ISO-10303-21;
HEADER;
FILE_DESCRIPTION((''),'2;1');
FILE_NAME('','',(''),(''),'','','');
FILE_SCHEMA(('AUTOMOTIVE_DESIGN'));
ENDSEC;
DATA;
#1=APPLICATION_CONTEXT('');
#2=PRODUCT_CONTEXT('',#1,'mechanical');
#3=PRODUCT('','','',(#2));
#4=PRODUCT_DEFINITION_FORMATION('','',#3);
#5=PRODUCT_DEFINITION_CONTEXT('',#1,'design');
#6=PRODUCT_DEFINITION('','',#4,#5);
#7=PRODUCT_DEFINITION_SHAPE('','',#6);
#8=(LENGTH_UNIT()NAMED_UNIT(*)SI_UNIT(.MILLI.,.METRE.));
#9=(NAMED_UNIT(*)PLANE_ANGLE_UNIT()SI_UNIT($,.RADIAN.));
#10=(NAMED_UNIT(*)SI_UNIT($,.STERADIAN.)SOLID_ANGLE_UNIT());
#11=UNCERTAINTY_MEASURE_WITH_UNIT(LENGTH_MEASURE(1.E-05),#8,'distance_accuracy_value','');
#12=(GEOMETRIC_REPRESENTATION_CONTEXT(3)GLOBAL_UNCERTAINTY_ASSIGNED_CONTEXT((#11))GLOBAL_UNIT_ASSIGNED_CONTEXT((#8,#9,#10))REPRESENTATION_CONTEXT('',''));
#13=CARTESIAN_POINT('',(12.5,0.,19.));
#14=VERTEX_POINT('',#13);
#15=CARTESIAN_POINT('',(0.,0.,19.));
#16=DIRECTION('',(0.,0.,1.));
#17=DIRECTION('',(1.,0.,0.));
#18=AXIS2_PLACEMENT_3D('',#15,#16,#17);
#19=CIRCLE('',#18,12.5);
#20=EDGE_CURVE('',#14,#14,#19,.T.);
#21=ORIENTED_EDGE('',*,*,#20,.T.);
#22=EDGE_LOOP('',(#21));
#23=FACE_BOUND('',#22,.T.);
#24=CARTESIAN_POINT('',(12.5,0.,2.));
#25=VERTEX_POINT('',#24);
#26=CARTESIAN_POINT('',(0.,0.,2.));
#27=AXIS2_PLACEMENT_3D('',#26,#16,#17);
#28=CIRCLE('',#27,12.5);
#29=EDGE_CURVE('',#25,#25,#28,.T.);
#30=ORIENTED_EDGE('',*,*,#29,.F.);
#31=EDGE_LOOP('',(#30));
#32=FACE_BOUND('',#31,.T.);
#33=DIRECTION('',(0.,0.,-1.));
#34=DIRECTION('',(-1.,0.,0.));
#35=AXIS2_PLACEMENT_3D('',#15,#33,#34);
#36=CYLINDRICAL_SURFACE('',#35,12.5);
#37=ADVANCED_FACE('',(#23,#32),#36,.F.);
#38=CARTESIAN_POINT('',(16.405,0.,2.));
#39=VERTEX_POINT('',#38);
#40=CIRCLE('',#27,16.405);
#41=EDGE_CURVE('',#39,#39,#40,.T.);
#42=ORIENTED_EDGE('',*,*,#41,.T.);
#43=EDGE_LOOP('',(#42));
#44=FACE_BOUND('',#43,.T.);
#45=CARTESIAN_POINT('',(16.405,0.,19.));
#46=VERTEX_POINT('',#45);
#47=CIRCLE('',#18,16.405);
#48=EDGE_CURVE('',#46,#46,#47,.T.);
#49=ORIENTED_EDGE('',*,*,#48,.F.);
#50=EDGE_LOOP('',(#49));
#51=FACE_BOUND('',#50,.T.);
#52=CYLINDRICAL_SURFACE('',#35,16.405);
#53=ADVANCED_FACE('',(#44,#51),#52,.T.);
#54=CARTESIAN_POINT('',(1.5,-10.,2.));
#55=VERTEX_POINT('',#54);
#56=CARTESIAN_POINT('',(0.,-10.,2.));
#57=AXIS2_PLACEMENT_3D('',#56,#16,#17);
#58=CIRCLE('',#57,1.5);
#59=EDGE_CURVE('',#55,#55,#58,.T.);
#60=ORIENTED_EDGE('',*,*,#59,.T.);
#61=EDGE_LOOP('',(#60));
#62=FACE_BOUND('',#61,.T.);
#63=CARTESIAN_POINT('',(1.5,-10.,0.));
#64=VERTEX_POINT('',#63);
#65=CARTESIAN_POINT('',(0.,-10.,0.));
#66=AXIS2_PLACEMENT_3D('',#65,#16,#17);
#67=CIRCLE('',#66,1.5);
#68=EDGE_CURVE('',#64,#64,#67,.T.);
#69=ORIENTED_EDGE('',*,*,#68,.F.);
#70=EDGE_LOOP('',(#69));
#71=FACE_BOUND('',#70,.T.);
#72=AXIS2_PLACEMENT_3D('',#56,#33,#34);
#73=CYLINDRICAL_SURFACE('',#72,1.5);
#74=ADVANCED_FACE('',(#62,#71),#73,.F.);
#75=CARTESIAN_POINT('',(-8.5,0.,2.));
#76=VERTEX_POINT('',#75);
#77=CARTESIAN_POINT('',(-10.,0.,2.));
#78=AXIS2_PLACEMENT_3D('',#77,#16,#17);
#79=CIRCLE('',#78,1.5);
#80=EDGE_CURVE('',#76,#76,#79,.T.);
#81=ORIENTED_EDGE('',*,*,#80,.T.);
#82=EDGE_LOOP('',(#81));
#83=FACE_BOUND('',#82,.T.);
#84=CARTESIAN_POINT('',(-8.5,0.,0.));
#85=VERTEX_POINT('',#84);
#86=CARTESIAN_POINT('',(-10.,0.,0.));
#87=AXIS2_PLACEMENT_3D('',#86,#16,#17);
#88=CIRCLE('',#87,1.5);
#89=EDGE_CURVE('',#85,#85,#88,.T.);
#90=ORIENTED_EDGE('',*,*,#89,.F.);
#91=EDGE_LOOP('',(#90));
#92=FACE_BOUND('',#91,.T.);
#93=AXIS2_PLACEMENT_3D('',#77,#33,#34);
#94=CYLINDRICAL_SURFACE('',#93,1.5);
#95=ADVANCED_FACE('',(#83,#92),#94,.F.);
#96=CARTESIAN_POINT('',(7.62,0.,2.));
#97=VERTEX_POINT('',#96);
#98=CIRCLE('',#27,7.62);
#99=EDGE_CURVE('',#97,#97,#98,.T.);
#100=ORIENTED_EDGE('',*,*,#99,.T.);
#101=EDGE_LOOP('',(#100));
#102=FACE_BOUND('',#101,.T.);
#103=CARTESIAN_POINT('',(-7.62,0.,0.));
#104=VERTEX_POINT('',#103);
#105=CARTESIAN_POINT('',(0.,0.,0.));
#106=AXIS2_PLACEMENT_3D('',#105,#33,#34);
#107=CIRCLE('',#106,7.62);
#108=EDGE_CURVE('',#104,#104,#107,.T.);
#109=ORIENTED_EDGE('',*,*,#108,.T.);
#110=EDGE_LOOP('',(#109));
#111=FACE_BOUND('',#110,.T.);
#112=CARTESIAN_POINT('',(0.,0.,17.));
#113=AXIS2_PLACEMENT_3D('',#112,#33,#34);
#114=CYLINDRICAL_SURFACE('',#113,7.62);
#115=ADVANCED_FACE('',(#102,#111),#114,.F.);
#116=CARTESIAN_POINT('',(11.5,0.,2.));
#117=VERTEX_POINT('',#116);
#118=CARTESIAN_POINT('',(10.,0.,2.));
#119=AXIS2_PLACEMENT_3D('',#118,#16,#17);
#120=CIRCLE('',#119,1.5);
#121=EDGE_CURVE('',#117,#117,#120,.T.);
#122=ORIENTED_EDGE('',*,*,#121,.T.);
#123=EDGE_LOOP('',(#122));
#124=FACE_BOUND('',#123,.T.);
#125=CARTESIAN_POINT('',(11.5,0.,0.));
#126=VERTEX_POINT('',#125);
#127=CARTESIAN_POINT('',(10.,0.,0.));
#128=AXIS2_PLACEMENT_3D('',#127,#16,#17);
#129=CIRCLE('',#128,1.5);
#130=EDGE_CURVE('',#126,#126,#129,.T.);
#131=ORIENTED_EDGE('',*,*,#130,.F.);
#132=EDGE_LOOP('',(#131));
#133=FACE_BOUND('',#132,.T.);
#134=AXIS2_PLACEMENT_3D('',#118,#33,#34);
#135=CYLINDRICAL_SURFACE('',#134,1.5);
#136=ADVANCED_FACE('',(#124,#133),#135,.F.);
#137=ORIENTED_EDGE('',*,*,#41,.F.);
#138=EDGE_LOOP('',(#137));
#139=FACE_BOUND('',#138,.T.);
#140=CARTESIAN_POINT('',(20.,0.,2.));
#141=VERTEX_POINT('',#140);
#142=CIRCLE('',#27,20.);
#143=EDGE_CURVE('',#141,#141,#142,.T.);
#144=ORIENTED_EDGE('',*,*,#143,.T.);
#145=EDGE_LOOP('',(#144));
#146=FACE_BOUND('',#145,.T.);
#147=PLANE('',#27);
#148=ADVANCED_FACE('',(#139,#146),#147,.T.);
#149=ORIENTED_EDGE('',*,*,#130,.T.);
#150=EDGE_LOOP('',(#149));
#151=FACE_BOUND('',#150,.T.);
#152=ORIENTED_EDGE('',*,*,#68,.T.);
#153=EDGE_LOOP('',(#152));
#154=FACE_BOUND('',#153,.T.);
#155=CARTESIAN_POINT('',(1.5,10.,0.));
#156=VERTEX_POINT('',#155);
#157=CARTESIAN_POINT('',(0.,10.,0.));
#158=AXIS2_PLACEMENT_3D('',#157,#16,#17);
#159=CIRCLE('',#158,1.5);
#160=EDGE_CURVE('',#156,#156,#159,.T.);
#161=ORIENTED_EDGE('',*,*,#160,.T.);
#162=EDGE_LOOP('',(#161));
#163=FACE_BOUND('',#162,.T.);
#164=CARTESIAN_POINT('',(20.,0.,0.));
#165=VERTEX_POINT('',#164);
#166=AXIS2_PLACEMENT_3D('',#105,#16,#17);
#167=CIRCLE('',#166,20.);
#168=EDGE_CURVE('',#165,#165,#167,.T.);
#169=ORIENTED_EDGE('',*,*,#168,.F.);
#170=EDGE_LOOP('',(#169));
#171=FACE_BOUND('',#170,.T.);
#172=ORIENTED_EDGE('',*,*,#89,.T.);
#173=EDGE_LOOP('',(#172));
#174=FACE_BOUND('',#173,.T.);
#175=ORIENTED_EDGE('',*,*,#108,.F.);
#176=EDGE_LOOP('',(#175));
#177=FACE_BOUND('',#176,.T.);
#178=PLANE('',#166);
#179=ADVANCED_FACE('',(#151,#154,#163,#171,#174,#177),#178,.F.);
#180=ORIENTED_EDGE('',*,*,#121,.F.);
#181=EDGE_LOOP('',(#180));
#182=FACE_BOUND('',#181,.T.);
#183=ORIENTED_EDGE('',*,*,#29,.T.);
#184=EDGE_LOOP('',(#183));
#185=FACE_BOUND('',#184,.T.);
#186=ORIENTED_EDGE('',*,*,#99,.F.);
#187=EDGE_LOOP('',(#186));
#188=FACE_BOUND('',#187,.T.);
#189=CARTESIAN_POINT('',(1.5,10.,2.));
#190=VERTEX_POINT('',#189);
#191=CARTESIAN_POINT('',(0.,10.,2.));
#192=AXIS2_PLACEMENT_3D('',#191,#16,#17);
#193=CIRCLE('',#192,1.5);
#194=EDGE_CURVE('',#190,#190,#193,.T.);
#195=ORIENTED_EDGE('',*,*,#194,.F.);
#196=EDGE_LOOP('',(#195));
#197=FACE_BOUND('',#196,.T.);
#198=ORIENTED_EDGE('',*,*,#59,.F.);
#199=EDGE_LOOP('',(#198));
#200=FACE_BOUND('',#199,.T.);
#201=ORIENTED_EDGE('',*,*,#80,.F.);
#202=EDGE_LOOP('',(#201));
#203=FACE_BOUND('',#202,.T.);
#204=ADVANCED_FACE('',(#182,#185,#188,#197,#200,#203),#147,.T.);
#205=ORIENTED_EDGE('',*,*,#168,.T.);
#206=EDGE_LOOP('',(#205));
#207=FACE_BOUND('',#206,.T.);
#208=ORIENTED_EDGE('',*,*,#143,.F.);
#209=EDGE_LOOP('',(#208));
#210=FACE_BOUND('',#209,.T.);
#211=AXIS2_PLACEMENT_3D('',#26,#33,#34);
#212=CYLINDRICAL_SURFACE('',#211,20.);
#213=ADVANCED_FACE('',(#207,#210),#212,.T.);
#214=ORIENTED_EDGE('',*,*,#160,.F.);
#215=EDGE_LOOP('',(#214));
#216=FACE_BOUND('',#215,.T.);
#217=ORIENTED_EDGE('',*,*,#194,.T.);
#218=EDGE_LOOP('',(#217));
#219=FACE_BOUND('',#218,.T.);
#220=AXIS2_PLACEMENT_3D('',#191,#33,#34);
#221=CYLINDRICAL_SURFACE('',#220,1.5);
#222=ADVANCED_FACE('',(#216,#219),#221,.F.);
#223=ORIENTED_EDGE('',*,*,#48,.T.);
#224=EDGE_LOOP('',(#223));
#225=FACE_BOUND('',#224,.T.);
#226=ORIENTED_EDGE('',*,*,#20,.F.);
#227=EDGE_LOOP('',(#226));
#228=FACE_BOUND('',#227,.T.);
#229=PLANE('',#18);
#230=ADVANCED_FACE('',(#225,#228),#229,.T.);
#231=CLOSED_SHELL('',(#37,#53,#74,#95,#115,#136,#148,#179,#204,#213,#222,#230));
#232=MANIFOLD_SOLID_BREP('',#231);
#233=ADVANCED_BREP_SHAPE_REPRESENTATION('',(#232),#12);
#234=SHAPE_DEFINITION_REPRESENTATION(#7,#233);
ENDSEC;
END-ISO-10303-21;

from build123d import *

# Parameters (mm, degrees)
SKETCH1_R           = 20
SKETCH1_R_2         = 1.5
BOSS_EXTRUDE1_DEPTH = 2
SKETCH2_R           = 16.405
SKETCH2_R_2         = 12.5
BOSS_EXTRUDE2_DEPTH = 17
SKETCH4_R           = 7.62
CUT_EXTRUDE1_DEPTH  = 17


with BuildPart() as part:
    # Sketch1 → Boss-Extrude1 (new body)
    with BuildSketch(Plane.XY):
        Circle(SKETCH1_R)
        with Locations((0, 10)):
            Circle(SKETCH1_R_2, mode=Mode.SUBTRACT)
        with Locations((10, 0)):
            Circle(SKETCH1_R_2, mode=Mode.SUBTRACT)
        with Locations((0, -10)):
            Circle(SKETCH1_R_2, mode=Mode.SUBTRACT)
        with Locations((-10, 0)):
            Circle(SKETCH1_R_2, mode=Mode.SUBTRACT)
    extrude(amount=BOSS_EXTRUDE1_DEPTH)

    # Sketch2 → Boss-Extrude2 (add)
    with BuildSketch(Plane.XY.offset(2)):
        Circle(SKETCH2_R)
        Circle(SKETCH2_R_2, mode=Mode.SUBTRACT)
    extrude(amount=BOSS_EXTRUDE2_DEPTH)

    # Sketch4 → Cut-Extrude1 (cut)
    with BuildSketch(Plane(origin=(0, 0, 0), x_dir=(-1, 0, 0), z_dir=(0, 0, -1))):
        Circle(SKETCH4_R)
    extrude(amount=-CUT_EXTRUDE1_DEPTH, mode=Mode.SUBTRACT)


solid = part.part
